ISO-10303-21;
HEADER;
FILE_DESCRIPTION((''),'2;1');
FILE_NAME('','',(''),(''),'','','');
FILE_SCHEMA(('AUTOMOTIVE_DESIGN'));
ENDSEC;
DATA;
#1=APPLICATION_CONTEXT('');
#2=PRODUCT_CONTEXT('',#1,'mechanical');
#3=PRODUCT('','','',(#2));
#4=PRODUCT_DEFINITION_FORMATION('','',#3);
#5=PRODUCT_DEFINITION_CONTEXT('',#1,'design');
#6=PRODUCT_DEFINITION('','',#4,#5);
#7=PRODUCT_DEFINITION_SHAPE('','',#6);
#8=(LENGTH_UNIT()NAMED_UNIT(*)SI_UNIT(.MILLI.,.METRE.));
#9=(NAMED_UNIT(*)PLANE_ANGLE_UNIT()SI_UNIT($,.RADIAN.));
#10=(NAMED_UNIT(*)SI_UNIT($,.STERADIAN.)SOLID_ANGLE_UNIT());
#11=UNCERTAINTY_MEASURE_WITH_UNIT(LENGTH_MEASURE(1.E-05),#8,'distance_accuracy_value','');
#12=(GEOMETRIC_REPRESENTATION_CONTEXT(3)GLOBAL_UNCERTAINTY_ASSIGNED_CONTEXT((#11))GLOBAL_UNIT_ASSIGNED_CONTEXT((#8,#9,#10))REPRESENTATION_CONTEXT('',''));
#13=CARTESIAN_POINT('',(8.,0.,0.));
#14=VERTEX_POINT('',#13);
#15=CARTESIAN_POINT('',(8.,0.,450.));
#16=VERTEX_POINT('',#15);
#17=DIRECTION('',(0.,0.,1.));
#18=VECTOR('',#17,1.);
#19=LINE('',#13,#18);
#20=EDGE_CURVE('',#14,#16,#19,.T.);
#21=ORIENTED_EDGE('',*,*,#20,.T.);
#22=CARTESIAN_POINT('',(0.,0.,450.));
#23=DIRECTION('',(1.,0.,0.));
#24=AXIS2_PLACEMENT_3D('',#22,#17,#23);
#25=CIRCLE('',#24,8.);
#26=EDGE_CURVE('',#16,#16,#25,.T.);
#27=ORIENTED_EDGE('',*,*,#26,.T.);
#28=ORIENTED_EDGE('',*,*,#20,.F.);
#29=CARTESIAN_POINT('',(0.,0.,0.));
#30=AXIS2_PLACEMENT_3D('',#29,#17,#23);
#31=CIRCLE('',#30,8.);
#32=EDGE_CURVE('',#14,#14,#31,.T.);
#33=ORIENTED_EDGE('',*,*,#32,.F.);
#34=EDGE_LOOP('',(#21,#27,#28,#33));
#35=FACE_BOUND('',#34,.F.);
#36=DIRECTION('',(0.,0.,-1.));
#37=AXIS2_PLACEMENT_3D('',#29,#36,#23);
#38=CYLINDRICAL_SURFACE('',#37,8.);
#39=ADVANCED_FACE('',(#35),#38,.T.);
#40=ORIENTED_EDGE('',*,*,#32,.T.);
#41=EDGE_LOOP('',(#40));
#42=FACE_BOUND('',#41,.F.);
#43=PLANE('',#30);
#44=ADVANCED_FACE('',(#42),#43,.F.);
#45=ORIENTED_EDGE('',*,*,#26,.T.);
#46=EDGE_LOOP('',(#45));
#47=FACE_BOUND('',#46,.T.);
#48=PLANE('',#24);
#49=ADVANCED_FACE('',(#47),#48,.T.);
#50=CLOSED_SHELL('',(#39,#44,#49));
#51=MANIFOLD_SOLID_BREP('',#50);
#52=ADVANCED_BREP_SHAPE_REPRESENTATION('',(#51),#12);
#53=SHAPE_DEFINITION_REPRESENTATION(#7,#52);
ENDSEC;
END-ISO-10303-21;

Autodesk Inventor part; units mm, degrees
ref_plane "YZ Plane" through (0, 0, 0) normal (1, 0, 0) x (0, 1, 0)
ref_plane "XZ Plane" through (0, 0, 0) normal (0, 1, 0) x (-1, 0, 0)
ref_plane "XY Plane" through (0, 0, 0) normal (0, 0, 1) x (1, 0, 0)
sketch "Esboço1" plane through (0, 0, 0) normal (0, 0, 1) x (1, 0, 0)
  circle A0 centre (0, 0) radius 8
  dimension "d0" = 16
extrude "Extrusão1" add sketch "Esboço1" along normal blind 450
properties part number "GuiaLinear_16mmx600mm"
